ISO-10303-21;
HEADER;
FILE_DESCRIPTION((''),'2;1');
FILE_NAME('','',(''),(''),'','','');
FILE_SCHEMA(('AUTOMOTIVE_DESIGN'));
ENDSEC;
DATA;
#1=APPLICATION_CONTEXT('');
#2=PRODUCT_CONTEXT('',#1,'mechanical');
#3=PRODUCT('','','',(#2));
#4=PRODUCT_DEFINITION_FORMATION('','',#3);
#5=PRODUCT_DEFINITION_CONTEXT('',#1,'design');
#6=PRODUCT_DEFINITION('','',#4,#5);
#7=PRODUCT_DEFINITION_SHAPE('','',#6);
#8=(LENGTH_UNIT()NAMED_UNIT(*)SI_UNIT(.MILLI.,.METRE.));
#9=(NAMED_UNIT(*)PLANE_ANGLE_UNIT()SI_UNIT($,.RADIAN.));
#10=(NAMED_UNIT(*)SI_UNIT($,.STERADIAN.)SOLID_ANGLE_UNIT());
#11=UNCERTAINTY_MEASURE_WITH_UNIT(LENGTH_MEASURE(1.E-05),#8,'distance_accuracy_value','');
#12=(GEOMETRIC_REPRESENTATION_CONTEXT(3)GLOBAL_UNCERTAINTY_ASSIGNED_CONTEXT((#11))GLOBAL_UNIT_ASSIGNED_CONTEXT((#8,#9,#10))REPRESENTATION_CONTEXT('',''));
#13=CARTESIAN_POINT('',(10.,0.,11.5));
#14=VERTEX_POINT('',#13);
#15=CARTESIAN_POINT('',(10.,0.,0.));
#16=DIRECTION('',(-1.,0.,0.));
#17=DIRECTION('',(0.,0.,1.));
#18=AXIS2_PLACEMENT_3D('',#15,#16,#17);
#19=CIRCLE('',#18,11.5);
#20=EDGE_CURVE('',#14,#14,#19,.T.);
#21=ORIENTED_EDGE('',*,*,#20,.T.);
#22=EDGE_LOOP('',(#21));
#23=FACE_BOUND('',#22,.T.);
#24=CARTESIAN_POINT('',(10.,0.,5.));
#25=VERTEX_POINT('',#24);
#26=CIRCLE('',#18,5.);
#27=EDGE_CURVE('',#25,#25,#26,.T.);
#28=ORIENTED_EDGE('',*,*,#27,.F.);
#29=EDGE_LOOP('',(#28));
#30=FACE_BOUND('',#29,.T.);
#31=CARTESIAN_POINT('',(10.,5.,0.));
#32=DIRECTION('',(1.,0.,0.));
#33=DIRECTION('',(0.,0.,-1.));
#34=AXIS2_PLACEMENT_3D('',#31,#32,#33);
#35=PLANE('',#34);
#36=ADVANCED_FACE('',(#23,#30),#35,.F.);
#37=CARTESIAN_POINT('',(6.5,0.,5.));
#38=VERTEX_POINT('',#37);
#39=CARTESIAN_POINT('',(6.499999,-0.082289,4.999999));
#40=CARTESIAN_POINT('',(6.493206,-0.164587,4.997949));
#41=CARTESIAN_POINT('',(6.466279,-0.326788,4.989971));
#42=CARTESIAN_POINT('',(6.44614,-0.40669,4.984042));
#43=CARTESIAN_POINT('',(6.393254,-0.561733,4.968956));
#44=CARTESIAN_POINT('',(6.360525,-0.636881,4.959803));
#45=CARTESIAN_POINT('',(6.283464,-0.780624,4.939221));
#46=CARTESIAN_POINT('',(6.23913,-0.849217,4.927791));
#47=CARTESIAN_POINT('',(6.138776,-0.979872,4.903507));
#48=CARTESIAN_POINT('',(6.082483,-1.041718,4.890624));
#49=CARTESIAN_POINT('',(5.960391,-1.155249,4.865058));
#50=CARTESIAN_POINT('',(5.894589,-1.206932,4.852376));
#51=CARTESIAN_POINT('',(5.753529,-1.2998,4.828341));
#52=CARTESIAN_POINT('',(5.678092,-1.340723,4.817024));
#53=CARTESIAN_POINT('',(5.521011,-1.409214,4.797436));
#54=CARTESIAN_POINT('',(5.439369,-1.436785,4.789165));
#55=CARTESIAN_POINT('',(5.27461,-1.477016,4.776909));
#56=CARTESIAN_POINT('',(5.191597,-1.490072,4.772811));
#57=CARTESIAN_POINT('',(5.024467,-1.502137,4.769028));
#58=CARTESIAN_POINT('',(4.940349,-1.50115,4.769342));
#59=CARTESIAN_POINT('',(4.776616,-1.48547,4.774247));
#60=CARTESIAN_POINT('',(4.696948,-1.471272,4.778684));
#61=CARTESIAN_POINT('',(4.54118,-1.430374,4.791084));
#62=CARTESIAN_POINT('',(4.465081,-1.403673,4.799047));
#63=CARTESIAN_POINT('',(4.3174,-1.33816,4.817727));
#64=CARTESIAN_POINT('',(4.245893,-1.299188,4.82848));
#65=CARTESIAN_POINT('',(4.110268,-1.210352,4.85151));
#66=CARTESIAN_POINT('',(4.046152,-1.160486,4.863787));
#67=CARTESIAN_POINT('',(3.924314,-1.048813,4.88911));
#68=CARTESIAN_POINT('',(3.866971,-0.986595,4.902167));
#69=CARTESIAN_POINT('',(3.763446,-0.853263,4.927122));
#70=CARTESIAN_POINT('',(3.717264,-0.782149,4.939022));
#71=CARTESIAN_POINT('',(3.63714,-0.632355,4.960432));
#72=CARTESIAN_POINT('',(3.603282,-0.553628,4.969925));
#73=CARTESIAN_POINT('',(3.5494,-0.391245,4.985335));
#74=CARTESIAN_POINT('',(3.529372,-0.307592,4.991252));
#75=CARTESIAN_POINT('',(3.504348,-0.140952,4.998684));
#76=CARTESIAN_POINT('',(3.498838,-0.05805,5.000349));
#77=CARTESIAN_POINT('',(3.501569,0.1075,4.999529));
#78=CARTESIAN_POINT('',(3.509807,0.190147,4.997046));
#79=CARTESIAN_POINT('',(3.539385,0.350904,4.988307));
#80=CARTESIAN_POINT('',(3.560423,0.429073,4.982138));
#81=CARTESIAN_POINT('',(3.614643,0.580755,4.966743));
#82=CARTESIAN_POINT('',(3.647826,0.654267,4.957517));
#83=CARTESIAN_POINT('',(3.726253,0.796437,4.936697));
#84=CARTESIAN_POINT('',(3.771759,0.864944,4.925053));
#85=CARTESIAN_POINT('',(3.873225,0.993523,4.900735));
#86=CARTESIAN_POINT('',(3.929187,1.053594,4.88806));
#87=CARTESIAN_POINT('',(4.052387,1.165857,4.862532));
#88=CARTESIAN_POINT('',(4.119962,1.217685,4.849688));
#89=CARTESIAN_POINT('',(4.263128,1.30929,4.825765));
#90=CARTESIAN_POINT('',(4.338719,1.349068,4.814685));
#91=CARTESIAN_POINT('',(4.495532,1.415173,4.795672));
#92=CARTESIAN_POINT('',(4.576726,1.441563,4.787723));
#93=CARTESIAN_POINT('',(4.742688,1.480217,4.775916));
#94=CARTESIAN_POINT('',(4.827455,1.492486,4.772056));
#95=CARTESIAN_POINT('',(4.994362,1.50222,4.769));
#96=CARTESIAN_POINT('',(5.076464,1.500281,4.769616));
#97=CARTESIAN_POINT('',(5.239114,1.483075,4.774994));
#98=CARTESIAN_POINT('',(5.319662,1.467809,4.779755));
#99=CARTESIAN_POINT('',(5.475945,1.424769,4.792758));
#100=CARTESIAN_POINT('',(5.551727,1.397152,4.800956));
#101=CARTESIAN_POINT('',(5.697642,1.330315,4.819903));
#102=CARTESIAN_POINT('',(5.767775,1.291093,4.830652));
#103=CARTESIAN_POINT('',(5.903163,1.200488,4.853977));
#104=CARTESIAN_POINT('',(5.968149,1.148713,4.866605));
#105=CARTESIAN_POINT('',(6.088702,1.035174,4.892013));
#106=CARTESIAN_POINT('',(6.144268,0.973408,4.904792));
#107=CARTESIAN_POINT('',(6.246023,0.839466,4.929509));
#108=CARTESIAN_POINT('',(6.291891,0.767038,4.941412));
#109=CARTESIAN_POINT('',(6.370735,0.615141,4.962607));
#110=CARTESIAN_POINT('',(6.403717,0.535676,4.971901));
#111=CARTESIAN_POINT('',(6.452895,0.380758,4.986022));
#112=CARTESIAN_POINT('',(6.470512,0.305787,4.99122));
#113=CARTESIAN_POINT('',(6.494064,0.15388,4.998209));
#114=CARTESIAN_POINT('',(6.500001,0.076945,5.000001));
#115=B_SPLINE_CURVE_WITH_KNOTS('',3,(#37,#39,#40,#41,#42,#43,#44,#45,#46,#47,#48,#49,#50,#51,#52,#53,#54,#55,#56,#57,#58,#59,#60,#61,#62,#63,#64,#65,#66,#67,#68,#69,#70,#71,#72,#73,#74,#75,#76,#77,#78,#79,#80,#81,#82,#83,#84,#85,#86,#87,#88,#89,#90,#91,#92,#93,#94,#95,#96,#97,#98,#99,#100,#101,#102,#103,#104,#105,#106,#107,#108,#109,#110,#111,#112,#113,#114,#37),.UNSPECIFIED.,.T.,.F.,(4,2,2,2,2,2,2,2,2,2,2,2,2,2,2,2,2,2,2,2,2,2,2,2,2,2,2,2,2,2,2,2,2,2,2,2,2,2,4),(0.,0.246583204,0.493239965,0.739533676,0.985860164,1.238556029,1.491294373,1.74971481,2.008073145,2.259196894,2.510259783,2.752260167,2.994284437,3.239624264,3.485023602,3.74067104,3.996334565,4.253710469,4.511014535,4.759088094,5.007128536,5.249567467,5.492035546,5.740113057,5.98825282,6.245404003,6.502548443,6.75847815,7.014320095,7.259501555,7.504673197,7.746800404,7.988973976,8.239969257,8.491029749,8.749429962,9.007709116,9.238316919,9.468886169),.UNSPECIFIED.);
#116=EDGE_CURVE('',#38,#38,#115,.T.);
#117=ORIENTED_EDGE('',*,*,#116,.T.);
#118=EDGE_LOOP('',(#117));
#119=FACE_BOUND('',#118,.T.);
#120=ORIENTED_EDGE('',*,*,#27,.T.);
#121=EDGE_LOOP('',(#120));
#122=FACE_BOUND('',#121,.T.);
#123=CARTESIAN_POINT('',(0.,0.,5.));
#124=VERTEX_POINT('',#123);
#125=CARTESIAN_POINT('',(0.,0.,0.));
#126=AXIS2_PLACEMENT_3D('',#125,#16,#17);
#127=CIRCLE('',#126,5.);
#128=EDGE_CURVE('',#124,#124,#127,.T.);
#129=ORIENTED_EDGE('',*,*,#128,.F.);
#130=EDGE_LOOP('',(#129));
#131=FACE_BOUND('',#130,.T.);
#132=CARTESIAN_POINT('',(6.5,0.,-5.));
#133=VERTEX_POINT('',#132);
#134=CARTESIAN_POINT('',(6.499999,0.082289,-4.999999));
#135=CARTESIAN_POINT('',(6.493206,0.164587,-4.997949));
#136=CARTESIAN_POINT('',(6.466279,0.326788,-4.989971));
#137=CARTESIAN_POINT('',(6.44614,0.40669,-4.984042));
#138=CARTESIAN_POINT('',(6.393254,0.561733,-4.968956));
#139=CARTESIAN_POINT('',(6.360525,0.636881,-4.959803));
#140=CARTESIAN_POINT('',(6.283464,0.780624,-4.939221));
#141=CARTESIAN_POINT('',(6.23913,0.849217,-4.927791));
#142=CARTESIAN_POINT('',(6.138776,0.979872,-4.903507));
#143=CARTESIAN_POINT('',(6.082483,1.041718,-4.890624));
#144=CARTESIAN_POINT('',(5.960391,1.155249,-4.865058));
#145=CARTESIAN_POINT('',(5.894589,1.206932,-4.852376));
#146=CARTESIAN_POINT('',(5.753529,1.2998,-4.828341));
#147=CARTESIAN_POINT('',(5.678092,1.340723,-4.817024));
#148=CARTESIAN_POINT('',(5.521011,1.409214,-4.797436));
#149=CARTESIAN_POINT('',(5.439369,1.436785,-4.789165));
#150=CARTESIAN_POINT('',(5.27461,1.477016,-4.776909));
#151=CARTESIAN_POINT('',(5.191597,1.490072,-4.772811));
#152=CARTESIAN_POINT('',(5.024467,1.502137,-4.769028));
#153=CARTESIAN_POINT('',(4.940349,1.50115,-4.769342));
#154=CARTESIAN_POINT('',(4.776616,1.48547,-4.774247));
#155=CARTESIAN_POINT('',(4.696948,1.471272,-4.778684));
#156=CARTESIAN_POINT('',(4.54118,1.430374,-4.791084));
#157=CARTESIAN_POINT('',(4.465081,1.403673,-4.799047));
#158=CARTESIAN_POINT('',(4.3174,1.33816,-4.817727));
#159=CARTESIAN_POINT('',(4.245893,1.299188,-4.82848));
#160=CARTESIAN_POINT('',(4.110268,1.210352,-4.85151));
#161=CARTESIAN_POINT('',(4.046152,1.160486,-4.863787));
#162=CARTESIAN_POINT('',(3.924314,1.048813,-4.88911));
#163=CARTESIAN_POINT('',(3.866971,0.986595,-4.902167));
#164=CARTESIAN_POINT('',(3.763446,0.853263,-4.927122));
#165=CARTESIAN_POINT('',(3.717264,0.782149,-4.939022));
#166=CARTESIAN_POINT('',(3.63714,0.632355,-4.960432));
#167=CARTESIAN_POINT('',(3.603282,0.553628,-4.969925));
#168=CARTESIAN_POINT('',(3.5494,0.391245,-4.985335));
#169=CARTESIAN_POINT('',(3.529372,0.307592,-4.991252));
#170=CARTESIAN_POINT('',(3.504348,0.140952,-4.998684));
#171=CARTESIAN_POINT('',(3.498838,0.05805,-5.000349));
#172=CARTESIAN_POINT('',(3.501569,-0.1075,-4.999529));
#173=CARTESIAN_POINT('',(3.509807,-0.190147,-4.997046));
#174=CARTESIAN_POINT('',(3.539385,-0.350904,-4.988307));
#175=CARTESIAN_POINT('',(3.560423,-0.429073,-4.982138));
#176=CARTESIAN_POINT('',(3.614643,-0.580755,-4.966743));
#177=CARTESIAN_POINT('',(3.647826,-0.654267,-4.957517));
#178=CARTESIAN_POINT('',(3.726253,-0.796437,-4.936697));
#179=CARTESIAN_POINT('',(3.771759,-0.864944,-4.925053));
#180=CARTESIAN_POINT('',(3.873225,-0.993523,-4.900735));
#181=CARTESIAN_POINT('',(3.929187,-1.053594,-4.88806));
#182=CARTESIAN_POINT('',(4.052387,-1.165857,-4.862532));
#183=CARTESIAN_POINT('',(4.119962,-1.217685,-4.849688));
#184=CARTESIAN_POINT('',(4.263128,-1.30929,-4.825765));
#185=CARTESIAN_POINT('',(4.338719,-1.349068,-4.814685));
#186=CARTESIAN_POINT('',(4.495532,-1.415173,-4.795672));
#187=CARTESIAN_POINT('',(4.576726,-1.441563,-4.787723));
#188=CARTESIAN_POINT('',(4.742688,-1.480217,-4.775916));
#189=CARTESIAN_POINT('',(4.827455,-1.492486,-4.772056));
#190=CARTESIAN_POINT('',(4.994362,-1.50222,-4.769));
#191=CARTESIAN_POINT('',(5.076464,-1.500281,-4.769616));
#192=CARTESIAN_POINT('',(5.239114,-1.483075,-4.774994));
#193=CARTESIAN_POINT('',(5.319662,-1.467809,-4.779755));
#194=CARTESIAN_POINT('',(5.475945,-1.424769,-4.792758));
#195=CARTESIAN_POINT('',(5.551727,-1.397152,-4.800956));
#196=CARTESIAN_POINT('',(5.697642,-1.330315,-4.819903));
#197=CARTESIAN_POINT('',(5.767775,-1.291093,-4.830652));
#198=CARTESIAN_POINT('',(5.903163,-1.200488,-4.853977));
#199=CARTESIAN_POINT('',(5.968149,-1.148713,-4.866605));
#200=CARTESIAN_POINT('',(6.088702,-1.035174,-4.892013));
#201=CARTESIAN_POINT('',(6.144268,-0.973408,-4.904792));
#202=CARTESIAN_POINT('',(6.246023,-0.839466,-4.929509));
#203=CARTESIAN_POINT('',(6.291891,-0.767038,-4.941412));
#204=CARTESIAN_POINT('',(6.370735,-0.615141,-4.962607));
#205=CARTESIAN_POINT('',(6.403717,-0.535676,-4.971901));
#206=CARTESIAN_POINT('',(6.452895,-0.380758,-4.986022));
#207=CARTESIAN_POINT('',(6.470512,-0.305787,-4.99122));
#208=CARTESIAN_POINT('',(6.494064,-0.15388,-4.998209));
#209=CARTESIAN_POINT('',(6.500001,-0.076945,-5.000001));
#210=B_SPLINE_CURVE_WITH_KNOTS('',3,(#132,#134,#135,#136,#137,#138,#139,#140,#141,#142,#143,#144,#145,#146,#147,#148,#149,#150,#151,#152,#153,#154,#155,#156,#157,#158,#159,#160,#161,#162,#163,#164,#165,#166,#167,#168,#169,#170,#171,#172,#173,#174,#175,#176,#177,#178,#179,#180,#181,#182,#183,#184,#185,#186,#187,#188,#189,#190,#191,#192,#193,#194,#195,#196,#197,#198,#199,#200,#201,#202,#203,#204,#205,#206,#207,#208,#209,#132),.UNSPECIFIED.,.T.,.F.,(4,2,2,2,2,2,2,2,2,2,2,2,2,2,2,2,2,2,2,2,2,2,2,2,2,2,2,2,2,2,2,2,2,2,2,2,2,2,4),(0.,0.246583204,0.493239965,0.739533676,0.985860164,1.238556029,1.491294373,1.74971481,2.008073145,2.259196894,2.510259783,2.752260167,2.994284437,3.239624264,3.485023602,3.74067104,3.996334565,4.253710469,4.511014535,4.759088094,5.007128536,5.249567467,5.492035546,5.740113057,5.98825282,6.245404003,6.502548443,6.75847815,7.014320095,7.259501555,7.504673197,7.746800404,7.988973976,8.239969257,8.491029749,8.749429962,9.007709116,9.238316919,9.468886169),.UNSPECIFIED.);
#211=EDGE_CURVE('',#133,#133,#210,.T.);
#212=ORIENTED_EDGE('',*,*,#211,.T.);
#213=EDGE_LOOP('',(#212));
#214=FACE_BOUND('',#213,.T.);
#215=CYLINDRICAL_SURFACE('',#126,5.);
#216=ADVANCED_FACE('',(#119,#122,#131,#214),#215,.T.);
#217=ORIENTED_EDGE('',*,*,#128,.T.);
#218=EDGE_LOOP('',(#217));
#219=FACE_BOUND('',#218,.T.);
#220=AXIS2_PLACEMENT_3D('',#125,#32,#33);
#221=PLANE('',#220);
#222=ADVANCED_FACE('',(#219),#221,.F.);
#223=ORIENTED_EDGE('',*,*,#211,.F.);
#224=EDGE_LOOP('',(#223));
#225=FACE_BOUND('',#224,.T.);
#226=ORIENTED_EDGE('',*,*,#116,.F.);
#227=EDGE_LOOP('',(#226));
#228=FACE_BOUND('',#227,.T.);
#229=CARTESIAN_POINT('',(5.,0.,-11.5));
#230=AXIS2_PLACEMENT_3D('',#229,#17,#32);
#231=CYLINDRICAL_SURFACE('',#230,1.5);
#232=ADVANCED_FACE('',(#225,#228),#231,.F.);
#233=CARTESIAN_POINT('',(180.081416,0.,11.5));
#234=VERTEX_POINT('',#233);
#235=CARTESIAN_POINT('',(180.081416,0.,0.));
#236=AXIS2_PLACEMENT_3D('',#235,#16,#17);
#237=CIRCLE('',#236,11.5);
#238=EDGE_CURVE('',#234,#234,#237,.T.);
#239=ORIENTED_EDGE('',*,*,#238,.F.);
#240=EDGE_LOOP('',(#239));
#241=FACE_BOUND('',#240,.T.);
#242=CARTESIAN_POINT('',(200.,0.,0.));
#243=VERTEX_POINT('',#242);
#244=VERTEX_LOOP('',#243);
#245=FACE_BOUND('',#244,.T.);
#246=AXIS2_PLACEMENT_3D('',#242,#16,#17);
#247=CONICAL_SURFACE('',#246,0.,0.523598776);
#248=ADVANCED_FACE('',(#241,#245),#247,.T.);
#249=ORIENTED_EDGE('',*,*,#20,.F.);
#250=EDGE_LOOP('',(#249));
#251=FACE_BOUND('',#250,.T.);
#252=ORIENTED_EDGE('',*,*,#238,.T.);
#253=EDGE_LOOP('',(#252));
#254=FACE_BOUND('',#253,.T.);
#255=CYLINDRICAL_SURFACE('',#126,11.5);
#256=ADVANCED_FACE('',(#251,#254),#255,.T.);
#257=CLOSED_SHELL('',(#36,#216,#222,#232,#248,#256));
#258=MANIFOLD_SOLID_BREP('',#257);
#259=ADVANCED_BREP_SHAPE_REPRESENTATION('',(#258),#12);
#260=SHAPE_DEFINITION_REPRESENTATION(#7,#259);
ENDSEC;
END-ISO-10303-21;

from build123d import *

# Parameters (mm, degrees)
POSI_O_DO_FURO_R      = 1.5
FURO_3_PASSANTE_DEPTH = 202.008706279


with BuildPart() as part:
    # Sketch1 → Corpo (revolve)
    with BuildSketch(Plane.XY, mode=Mode.PRIVATE) as corpo_sk:
        Polygon((0, 0), (0, 5), (10, 5), (10, 11.5), (180.081415713, 11.5), (200, 0), align=None)
    revolve(corpo_sk.sketch.rotate(Axis((0, 0, 0), (1, 0, 0)), 90), axis=Axis((0, 0, 0), (1, 0, 0)))

    # Posição do Furo → Furo Ø3 Passante (cut, through all)
    with BuildSketch(Plane.XY.offset(5)):
        with Locations((5, 0)):
            Circle(POSI_O_DO_FURO_R)
    extrude(amount=-FURO_3_PASSANTE_DEPTH, mode=Mode.SUBTRACT)


solid = part.part
